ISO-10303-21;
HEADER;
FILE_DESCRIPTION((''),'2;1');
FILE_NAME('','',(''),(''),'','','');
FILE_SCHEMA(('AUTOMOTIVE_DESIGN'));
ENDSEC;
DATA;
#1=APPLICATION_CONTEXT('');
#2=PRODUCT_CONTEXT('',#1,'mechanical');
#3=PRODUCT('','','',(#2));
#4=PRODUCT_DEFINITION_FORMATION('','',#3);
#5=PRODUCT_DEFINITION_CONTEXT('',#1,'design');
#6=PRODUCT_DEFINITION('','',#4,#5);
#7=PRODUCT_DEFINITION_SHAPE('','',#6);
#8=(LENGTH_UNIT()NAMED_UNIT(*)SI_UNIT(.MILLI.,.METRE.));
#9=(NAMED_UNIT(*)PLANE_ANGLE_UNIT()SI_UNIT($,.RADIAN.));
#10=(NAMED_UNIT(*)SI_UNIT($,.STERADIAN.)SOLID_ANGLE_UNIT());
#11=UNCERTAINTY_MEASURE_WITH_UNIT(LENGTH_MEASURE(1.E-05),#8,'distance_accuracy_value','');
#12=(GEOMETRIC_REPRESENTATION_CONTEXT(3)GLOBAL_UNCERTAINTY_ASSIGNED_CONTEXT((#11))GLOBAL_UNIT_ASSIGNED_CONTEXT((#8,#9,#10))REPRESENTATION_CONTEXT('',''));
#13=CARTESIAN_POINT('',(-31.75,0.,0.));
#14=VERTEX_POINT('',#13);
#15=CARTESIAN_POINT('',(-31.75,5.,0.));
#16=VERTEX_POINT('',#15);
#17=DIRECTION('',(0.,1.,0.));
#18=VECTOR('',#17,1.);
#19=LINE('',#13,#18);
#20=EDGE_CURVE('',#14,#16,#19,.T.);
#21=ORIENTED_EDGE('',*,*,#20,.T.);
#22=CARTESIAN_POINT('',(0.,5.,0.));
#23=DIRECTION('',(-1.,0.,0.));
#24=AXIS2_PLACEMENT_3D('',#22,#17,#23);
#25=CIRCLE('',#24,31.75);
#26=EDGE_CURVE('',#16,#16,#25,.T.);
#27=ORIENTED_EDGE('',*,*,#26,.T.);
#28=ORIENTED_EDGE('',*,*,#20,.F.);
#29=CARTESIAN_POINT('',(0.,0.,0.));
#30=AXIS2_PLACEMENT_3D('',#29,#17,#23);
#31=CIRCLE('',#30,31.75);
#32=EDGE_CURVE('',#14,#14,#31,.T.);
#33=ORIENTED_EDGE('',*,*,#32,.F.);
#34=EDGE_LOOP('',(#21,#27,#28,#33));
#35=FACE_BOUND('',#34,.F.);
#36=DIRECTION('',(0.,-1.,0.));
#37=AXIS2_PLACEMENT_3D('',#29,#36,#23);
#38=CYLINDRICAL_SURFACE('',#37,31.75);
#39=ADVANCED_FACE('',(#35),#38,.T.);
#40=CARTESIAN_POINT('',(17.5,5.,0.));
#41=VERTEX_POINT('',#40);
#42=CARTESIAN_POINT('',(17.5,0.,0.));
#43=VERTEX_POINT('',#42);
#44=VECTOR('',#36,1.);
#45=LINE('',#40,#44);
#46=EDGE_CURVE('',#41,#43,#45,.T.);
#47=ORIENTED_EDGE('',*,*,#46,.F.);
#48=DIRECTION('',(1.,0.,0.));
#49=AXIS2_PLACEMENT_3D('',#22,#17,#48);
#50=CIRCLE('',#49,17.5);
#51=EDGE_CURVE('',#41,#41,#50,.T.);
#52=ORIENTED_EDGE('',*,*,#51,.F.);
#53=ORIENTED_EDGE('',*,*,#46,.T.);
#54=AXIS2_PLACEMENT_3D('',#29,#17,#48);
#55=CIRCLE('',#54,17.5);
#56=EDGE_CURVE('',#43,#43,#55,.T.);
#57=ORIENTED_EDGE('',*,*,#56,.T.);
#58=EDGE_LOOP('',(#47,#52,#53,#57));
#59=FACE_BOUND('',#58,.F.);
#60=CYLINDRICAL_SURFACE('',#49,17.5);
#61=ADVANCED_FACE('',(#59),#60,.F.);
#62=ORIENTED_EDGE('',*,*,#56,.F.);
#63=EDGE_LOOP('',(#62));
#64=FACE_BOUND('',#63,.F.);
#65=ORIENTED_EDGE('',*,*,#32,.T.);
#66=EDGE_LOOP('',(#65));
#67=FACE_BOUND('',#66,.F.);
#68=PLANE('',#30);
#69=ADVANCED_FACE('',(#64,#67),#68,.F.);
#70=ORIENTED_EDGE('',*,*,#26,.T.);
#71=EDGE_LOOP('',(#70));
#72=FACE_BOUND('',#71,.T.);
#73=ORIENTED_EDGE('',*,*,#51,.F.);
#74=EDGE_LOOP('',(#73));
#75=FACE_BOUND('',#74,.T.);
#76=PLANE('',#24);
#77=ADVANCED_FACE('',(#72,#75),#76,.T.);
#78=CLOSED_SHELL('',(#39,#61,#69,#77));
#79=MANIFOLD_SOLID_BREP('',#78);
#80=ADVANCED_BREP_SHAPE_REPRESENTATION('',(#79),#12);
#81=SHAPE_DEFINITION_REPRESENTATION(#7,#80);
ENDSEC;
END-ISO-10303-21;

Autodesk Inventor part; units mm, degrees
ref_plane "YZ Plane" through (0, 0, 0) normal (1, 0, 0) x (0, 1, 0)
ref_plane "XZ Plane" through (0, 0, 0) normal (0, 1, 0) x (-1, 0, 0)
ref_plane "XY Plane" through (0, 0, 0) normal (0, 0, 1) x (1, 0, 0)
sketch "スケッチ1" plane through (0, 0, 0) normal (0, 1, 0) x (-1, 0, 0)
  circle A0 centre (0, 0) radius 31.75
  dimension "d0" = 63.5
extrude "押し出し1" add sketch "スケッチ1" along normal blind 5
sketch "スケッチ4" plane through (0, 5, 0) normal (0, 1, 0) x (1, 0, 0)
  circle A0 centre (0, 0) radius 17.5
  dimension "d9" = 35
extrude "押し出し4" cut sketch "スケッチ4" against normal through all
properties part number "B_probe_bearing" material "PAEK 樹脂"
